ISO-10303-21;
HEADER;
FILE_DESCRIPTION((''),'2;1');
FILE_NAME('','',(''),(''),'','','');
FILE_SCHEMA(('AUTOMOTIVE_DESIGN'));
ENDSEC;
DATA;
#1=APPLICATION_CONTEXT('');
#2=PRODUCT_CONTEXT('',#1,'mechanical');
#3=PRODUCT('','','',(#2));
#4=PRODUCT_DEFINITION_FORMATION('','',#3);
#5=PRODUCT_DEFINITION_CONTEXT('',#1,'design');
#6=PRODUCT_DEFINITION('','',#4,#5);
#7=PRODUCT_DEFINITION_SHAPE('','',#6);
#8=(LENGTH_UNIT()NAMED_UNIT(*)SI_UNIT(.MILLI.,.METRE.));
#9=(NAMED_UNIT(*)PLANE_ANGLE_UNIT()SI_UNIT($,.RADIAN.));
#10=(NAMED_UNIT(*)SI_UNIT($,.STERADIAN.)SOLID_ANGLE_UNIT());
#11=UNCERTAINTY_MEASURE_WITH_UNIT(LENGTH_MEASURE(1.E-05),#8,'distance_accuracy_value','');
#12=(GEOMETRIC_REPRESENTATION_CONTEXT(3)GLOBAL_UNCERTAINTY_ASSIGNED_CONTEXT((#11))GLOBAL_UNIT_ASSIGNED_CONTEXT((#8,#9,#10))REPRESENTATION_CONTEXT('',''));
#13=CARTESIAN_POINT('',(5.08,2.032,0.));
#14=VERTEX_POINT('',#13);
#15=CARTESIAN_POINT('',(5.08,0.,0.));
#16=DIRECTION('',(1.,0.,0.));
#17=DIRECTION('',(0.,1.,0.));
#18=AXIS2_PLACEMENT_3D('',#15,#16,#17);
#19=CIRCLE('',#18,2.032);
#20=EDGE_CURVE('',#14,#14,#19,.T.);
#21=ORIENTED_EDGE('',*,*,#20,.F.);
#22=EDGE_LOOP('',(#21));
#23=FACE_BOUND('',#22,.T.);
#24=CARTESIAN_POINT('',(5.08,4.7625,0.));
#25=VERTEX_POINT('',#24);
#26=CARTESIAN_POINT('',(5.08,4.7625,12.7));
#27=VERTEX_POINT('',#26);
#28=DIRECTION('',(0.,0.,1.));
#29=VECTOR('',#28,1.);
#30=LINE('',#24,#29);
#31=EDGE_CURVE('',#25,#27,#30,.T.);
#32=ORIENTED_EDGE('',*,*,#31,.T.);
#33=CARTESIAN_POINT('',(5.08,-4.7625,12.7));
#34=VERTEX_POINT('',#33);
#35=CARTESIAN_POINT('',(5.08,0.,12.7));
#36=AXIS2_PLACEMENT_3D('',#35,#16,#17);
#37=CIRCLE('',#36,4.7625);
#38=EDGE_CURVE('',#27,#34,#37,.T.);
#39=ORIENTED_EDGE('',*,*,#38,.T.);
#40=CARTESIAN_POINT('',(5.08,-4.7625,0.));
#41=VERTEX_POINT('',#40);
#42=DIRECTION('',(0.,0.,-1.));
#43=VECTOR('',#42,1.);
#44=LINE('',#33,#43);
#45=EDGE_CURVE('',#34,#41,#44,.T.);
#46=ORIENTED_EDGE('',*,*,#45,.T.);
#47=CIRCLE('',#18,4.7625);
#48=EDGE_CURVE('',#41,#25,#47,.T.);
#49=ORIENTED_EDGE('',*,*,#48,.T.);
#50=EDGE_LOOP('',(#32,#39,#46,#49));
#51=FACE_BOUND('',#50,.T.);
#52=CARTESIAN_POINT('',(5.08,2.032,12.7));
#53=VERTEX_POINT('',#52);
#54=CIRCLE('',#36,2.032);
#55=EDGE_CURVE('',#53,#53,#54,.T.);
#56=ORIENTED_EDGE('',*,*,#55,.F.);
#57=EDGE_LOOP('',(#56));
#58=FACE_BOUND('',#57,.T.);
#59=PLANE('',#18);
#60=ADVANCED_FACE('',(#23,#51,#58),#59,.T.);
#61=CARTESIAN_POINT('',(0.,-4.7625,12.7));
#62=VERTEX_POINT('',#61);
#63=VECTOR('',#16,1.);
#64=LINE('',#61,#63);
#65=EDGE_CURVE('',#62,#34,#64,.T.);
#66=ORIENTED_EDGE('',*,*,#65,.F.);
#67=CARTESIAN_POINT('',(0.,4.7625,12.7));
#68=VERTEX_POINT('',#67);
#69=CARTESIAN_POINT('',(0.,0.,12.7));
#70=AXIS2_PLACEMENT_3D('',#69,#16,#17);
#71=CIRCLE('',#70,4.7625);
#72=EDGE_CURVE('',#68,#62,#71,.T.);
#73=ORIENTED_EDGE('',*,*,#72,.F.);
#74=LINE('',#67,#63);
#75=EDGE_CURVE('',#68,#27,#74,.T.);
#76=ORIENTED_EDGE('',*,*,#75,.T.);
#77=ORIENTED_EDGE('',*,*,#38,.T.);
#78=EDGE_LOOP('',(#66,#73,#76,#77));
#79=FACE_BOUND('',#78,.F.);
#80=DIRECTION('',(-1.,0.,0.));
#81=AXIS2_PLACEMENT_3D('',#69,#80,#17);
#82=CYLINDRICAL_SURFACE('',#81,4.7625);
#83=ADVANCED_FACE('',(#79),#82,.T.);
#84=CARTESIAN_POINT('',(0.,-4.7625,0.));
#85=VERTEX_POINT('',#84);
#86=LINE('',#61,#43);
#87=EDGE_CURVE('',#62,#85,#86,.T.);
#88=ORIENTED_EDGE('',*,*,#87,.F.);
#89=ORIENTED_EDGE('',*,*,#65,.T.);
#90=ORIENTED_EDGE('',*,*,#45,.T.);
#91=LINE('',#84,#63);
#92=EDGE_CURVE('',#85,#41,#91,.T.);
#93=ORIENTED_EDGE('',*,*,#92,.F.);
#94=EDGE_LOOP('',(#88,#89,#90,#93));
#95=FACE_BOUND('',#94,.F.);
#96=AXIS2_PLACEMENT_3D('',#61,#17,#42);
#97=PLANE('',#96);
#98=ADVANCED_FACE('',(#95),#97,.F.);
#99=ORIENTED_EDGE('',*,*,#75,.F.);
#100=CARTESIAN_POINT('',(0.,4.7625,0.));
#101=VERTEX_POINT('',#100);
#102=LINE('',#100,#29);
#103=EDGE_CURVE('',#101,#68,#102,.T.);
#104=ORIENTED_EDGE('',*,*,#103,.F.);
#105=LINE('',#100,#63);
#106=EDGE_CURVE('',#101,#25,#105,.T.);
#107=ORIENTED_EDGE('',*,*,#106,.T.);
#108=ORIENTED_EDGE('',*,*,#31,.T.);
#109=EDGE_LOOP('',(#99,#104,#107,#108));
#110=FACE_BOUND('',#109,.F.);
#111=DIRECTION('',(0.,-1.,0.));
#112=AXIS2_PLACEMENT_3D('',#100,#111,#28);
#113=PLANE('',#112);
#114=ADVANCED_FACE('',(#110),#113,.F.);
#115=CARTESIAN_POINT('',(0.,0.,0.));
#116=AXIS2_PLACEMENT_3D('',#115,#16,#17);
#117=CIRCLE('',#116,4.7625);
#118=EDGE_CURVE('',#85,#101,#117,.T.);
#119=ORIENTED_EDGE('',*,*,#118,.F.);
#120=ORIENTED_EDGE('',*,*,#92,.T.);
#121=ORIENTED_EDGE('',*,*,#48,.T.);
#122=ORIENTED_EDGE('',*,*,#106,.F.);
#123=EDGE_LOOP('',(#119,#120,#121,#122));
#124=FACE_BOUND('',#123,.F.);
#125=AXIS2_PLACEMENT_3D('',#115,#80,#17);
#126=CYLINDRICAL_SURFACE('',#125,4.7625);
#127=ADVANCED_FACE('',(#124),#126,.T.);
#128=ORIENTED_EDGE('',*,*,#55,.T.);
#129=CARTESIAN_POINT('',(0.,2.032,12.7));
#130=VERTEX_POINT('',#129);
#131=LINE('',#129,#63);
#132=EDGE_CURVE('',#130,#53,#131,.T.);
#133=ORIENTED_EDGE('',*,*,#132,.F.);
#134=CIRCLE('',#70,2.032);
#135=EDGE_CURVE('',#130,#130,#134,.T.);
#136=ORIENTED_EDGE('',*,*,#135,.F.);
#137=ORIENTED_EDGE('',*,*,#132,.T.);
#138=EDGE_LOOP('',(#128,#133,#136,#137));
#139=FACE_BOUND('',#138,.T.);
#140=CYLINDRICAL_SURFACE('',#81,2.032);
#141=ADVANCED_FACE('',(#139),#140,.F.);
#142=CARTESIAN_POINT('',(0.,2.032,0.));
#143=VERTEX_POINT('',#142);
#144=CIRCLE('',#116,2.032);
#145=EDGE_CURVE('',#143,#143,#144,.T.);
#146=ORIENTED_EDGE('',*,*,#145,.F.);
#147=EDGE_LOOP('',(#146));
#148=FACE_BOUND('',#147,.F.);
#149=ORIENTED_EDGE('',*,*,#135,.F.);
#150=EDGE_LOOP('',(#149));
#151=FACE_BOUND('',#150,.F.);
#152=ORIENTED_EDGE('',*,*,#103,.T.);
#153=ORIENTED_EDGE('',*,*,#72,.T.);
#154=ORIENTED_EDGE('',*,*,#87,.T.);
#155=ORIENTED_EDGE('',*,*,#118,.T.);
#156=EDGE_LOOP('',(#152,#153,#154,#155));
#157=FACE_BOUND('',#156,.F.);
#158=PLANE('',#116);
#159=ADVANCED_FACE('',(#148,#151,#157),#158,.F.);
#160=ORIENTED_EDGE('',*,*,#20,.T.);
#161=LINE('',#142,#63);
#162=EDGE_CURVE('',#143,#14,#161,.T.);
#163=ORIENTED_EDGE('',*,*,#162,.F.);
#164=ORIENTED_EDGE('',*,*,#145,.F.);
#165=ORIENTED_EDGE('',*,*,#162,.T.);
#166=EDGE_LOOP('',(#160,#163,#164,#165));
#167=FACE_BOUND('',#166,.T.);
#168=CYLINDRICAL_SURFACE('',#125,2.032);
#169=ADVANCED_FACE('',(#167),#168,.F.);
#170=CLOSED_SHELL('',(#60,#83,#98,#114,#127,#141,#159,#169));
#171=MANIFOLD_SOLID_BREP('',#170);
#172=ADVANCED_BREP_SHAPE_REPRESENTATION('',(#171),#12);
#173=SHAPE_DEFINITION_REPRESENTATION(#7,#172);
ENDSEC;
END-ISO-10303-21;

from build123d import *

# Parameters (mm, degrees)
F0_R     = 2.032
F1_DEPTH = 5.08


with BuildPart() as f1:
    # F0 (on Right) → F1 (new body)
    with BuildSketch(Plane.YZ):
        with BuildLine():
            ThreePointArc((-4.7625, 0), (0, -4.7625), (4.7625, 0))
            ThreePointArc((4.7625, 0), (0, 4.7625), (-4.7625, 0))
        make_face()
        Circle(F0_R, mode=Mode.SUBTRACT)
        with BuildLine():
            ThreePointArc((-4.7625, 0), (0, 4.7625), (4.7625, 0))
            Line((4.7625, 0), (4.7625, 12.7))
            ThreePointArc((4.7625, 12.7), (0, 7.9375), (-4.7625, 12.7))
            Line((-4.7625, 12.7), (-4.7625, 0))
        make_face()
        with BuildLine():
            ThreePointArc((-4.7625, 12.7), (0, 7.9375), (4.7625, 12.7))
            ThreePointArc((4.7625, 12.7), (0, 17.4625), (-4.7625, 12.7))
        make_face()
        with Locations((0, 12.7)):
            Circle(F0_R, mode=Mode.SUBTRACT)
    extrude(amount=F1_DEPTH)


solid = f1.part
